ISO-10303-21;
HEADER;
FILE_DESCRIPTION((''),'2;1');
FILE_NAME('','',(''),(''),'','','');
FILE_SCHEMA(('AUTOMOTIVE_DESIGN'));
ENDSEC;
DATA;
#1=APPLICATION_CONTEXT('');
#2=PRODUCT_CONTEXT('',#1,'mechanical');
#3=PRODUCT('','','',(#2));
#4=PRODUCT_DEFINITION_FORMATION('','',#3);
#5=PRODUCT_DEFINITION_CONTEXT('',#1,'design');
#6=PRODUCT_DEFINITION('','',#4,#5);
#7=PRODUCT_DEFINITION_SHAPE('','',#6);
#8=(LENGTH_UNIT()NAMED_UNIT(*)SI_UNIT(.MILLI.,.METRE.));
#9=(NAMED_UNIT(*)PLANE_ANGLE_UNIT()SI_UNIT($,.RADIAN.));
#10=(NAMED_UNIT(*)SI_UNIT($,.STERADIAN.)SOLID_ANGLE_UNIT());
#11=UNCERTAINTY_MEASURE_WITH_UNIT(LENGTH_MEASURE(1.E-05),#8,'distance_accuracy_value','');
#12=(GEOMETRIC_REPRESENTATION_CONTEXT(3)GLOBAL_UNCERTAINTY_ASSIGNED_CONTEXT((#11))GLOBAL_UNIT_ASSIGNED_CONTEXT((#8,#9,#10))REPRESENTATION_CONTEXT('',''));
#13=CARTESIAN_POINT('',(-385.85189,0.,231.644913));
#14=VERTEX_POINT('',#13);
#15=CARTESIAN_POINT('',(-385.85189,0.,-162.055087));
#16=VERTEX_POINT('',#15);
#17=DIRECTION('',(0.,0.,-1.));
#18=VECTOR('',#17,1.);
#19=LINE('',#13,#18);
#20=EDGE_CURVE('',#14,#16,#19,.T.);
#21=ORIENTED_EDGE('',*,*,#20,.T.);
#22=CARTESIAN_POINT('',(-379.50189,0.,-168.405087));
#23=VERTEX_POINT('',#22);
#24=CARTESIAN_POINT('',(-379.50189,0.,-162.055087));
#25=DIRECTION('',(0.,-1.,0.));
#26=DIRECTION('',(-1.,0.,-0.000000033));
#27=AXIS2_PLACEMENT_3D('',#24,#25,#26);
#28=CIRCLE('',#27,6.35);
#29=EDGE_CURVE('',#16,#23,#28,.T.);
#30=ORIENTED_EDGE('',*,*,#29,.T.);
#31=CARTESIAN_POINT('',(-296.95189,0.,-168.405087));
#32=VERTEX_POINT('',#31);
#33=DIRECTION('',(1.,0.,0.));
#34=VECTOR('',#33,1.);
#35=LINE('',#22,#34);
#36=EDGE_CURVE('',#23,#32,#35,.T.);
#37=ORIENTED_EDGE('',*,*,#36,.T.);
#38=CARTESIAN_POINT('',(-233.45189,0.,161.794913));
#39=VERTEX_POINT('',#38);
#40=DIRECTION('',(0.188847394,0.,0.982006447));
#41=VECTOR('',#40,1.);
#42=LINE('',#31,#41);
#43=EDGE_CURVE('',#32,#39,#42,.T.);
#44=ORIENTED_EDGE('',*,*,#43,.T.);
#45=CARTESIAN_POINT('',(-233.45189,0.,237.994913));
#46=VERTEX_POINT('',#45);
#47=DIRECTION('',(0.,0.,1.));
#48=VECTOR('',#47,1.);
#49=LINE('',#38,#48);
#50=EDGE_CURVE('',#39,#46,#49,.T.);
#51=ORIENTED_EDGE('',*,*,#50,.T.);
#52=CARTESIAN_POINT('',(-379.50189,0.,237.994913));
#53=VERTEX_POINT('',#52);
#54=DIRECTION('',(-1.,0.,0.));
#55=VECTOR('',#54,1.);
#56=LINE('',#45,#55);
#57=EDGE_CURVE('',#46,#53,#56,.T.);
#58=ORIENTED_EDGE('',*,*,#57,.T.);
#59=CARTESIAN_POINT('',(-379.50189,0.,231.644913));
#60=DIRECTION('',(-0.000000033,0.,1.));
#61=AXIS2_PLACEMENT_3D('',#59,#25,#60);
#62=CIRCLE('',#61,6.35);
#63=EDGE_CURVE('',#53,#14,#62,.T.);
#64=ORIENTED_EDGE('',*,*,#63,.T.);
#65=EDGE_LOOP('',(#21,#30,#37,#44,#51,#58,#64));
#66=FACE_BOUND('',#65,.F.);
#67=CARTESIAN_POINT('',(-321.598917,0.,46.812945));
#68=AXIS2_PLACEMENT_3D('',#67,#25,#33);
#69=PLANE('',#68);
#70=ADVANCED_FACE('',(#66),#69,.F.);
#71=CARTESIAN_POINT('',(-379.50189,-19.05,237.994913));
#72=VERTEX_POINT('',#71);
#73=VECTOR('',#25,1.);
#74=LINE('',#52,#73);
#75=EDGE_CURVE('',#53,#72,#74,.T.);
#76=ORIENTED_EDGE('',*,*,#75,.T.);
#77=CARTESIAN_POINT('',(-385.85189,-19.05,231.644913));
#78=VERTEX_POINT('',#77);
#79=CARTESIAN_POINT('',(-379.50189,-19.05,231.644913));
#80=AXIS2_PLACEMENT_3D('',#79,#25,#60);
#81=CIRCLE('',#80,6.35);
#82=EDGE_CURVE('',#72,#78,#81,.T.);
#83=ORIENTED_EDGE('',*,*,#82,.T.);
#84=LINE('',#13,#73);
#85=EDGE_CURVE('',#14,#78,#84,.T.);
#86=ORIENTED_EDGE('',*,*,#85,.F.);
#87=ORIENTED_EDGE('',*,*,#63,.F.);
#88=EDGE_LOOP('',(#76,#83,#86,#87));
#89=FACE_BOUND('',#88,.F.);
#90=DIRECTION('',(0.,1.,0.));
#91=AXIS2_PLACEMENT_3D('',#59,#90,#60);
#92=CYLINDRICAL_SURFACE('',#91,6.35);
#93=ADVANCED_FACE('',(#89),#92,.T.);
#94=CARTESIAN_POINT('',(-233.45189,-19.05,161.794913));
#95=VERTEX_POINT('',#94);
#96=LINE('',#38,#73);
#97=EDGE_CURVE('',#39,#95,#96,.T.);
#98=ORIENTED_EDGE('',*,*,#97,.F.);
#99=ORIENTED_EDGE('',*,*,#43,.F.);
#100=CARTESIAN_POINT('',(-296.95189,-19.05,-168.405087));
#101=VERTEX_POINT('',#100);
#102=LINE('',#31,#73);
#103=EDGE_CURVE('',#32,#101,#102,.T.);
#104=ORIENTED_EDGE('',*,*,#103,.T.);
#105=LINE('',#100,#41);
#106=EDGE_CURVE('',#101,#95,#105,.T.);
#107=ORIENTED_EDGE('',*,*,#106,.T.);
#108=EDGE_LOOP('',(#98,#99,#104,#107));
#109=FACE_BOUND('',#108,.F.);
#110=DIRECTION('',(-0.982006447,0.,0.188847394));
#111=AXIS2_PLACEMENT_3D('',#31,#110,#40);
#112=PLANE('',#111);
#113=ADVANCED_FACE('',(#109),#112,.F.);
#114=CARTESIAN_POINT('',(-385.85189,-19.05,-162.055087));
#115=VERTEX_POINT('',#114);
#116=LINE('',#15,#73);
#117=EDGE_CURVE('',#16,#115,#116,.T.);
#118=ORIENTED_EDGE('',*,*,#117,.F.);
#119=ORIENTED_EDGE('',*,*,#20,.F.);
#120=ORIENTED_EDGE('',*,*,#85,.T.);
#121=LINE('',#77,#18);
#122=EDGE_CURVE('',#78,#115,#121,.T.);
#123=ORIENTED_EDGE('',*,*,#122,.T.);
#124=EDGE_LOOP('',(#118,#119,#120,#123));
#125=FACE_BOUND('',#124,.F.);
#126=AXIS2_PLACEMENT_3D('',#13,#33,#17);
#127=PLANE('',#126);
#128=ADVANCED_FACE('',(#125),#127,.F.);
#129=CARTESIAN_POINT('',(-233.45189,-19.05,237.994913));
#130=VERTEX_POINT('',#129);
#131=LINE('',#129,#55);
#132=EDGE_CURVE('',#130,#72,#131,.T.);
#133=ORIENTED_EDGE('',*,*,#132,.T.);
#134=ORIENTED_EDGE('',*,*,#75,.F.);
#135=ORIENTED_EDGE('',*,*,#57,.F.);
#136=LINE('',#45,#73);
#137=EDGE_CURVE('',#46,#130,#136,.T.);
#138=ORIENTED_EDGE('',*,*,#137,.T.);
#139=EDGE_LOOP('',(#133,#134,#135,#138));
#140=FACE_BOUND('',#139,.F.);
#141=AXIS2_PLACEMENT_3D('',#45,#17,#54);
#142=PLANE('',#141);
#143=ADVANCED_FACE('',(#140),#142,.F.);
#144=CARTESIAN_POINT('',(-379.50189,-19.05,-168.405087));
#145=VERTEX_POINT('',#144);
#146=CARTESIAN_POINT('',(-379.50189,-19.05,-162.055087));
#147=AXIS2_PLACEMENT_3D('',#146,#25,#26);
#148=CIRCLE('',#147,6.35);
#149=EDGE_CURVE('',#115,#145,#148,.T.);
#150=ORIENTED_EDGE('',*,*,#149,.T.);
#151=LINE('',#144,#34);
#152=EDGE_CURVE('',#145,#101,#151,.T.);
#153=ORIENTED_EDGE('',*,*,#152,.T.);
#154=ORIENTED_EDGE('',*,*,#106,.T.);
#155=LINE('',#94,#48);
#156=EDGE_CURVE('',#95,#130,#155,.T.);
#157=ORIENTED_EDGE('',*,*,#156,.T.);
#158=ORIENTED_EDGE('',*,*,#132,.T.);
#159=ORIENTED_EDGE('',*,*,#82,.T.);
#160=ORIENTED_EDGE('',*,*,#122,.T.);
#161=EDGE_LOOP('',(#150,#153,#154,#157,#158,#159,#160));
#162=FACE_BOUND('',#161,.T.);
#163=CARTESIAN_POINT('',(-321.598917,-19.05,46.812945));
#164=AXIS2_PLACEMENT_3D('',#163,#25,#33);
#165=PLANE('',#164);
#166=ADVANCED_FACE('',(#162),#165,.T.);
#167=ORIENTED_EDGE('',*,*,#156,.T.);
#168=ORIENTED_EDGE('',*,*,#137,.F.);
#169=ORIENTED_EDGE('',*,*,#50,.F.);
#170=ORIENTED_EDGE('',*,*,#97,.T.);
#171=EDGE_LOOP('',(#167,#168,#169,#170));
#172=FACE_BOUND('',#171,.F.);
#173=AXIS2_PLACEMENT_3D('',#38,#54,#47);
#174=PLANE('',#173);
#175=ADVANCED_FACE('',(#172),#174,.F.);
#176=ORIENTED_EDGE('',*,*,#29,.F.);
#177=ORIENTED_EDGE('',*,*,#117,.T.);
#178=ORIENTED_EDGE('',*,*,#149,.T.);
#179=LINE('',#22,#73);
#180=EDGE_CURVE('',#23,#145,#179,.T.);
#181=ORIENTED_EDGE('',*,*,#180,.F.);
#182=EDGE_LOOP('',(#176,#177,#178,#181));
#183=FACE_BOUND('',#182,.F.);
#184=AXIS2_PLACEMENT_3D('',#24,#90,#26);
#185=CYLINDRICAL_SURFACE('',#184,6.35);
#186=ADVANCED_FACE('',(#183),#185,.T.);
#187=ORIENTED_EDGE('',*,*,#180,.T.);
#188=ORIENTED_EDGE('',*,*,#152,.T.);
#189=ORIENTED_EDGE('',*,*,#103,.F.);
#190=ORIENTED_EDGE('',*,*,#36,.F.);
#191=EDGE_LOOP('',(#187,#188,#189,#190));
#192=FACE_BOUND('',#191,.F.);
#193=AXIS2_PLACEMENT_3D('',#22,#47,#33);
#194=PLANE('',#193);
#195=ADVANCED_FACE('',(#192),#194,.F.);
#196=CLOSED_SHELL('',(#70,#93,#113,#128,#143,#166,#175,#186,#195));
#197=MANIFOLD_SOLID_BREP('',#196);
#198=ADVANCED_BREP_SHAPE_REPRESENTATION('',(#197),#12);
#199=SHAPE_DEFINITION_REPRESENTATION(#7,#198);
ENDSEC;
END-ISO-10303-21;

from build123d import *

# Parameters (mm, degrees)
F1_DEPTH = 19.05


with BuildPart() as f1:
    # F0 (on Front) → F1 (new body)
    with BuildSketch(Plane.XZ):
        with BuildLine():
            Line((-233.45189, 237.994913), (-379.50189, 237.994913))
            ThreePointArc((-379.50189, 237.994913), (-383.992018, 236.135041), (-385.85189, 231.644913))
            Line((-385.85189, 231.644913), (-385.85189, -162.055087))
            ThreePointArc((-385.85189, -162.055087), (-383.992018, -166.545215), (-379.50189, -168.405087))
            Line((-379.50189, -168.405087), (-296.95189, -168.405087))
            Line((-296.95189, -168.405087), (-233.45189, 161.794913))
            Line((-233.45189, 161.794913), (-233.45189, 237.994913))
        make_face()
    extrude(amount=F1_DEPTH)


solid = f1.part
